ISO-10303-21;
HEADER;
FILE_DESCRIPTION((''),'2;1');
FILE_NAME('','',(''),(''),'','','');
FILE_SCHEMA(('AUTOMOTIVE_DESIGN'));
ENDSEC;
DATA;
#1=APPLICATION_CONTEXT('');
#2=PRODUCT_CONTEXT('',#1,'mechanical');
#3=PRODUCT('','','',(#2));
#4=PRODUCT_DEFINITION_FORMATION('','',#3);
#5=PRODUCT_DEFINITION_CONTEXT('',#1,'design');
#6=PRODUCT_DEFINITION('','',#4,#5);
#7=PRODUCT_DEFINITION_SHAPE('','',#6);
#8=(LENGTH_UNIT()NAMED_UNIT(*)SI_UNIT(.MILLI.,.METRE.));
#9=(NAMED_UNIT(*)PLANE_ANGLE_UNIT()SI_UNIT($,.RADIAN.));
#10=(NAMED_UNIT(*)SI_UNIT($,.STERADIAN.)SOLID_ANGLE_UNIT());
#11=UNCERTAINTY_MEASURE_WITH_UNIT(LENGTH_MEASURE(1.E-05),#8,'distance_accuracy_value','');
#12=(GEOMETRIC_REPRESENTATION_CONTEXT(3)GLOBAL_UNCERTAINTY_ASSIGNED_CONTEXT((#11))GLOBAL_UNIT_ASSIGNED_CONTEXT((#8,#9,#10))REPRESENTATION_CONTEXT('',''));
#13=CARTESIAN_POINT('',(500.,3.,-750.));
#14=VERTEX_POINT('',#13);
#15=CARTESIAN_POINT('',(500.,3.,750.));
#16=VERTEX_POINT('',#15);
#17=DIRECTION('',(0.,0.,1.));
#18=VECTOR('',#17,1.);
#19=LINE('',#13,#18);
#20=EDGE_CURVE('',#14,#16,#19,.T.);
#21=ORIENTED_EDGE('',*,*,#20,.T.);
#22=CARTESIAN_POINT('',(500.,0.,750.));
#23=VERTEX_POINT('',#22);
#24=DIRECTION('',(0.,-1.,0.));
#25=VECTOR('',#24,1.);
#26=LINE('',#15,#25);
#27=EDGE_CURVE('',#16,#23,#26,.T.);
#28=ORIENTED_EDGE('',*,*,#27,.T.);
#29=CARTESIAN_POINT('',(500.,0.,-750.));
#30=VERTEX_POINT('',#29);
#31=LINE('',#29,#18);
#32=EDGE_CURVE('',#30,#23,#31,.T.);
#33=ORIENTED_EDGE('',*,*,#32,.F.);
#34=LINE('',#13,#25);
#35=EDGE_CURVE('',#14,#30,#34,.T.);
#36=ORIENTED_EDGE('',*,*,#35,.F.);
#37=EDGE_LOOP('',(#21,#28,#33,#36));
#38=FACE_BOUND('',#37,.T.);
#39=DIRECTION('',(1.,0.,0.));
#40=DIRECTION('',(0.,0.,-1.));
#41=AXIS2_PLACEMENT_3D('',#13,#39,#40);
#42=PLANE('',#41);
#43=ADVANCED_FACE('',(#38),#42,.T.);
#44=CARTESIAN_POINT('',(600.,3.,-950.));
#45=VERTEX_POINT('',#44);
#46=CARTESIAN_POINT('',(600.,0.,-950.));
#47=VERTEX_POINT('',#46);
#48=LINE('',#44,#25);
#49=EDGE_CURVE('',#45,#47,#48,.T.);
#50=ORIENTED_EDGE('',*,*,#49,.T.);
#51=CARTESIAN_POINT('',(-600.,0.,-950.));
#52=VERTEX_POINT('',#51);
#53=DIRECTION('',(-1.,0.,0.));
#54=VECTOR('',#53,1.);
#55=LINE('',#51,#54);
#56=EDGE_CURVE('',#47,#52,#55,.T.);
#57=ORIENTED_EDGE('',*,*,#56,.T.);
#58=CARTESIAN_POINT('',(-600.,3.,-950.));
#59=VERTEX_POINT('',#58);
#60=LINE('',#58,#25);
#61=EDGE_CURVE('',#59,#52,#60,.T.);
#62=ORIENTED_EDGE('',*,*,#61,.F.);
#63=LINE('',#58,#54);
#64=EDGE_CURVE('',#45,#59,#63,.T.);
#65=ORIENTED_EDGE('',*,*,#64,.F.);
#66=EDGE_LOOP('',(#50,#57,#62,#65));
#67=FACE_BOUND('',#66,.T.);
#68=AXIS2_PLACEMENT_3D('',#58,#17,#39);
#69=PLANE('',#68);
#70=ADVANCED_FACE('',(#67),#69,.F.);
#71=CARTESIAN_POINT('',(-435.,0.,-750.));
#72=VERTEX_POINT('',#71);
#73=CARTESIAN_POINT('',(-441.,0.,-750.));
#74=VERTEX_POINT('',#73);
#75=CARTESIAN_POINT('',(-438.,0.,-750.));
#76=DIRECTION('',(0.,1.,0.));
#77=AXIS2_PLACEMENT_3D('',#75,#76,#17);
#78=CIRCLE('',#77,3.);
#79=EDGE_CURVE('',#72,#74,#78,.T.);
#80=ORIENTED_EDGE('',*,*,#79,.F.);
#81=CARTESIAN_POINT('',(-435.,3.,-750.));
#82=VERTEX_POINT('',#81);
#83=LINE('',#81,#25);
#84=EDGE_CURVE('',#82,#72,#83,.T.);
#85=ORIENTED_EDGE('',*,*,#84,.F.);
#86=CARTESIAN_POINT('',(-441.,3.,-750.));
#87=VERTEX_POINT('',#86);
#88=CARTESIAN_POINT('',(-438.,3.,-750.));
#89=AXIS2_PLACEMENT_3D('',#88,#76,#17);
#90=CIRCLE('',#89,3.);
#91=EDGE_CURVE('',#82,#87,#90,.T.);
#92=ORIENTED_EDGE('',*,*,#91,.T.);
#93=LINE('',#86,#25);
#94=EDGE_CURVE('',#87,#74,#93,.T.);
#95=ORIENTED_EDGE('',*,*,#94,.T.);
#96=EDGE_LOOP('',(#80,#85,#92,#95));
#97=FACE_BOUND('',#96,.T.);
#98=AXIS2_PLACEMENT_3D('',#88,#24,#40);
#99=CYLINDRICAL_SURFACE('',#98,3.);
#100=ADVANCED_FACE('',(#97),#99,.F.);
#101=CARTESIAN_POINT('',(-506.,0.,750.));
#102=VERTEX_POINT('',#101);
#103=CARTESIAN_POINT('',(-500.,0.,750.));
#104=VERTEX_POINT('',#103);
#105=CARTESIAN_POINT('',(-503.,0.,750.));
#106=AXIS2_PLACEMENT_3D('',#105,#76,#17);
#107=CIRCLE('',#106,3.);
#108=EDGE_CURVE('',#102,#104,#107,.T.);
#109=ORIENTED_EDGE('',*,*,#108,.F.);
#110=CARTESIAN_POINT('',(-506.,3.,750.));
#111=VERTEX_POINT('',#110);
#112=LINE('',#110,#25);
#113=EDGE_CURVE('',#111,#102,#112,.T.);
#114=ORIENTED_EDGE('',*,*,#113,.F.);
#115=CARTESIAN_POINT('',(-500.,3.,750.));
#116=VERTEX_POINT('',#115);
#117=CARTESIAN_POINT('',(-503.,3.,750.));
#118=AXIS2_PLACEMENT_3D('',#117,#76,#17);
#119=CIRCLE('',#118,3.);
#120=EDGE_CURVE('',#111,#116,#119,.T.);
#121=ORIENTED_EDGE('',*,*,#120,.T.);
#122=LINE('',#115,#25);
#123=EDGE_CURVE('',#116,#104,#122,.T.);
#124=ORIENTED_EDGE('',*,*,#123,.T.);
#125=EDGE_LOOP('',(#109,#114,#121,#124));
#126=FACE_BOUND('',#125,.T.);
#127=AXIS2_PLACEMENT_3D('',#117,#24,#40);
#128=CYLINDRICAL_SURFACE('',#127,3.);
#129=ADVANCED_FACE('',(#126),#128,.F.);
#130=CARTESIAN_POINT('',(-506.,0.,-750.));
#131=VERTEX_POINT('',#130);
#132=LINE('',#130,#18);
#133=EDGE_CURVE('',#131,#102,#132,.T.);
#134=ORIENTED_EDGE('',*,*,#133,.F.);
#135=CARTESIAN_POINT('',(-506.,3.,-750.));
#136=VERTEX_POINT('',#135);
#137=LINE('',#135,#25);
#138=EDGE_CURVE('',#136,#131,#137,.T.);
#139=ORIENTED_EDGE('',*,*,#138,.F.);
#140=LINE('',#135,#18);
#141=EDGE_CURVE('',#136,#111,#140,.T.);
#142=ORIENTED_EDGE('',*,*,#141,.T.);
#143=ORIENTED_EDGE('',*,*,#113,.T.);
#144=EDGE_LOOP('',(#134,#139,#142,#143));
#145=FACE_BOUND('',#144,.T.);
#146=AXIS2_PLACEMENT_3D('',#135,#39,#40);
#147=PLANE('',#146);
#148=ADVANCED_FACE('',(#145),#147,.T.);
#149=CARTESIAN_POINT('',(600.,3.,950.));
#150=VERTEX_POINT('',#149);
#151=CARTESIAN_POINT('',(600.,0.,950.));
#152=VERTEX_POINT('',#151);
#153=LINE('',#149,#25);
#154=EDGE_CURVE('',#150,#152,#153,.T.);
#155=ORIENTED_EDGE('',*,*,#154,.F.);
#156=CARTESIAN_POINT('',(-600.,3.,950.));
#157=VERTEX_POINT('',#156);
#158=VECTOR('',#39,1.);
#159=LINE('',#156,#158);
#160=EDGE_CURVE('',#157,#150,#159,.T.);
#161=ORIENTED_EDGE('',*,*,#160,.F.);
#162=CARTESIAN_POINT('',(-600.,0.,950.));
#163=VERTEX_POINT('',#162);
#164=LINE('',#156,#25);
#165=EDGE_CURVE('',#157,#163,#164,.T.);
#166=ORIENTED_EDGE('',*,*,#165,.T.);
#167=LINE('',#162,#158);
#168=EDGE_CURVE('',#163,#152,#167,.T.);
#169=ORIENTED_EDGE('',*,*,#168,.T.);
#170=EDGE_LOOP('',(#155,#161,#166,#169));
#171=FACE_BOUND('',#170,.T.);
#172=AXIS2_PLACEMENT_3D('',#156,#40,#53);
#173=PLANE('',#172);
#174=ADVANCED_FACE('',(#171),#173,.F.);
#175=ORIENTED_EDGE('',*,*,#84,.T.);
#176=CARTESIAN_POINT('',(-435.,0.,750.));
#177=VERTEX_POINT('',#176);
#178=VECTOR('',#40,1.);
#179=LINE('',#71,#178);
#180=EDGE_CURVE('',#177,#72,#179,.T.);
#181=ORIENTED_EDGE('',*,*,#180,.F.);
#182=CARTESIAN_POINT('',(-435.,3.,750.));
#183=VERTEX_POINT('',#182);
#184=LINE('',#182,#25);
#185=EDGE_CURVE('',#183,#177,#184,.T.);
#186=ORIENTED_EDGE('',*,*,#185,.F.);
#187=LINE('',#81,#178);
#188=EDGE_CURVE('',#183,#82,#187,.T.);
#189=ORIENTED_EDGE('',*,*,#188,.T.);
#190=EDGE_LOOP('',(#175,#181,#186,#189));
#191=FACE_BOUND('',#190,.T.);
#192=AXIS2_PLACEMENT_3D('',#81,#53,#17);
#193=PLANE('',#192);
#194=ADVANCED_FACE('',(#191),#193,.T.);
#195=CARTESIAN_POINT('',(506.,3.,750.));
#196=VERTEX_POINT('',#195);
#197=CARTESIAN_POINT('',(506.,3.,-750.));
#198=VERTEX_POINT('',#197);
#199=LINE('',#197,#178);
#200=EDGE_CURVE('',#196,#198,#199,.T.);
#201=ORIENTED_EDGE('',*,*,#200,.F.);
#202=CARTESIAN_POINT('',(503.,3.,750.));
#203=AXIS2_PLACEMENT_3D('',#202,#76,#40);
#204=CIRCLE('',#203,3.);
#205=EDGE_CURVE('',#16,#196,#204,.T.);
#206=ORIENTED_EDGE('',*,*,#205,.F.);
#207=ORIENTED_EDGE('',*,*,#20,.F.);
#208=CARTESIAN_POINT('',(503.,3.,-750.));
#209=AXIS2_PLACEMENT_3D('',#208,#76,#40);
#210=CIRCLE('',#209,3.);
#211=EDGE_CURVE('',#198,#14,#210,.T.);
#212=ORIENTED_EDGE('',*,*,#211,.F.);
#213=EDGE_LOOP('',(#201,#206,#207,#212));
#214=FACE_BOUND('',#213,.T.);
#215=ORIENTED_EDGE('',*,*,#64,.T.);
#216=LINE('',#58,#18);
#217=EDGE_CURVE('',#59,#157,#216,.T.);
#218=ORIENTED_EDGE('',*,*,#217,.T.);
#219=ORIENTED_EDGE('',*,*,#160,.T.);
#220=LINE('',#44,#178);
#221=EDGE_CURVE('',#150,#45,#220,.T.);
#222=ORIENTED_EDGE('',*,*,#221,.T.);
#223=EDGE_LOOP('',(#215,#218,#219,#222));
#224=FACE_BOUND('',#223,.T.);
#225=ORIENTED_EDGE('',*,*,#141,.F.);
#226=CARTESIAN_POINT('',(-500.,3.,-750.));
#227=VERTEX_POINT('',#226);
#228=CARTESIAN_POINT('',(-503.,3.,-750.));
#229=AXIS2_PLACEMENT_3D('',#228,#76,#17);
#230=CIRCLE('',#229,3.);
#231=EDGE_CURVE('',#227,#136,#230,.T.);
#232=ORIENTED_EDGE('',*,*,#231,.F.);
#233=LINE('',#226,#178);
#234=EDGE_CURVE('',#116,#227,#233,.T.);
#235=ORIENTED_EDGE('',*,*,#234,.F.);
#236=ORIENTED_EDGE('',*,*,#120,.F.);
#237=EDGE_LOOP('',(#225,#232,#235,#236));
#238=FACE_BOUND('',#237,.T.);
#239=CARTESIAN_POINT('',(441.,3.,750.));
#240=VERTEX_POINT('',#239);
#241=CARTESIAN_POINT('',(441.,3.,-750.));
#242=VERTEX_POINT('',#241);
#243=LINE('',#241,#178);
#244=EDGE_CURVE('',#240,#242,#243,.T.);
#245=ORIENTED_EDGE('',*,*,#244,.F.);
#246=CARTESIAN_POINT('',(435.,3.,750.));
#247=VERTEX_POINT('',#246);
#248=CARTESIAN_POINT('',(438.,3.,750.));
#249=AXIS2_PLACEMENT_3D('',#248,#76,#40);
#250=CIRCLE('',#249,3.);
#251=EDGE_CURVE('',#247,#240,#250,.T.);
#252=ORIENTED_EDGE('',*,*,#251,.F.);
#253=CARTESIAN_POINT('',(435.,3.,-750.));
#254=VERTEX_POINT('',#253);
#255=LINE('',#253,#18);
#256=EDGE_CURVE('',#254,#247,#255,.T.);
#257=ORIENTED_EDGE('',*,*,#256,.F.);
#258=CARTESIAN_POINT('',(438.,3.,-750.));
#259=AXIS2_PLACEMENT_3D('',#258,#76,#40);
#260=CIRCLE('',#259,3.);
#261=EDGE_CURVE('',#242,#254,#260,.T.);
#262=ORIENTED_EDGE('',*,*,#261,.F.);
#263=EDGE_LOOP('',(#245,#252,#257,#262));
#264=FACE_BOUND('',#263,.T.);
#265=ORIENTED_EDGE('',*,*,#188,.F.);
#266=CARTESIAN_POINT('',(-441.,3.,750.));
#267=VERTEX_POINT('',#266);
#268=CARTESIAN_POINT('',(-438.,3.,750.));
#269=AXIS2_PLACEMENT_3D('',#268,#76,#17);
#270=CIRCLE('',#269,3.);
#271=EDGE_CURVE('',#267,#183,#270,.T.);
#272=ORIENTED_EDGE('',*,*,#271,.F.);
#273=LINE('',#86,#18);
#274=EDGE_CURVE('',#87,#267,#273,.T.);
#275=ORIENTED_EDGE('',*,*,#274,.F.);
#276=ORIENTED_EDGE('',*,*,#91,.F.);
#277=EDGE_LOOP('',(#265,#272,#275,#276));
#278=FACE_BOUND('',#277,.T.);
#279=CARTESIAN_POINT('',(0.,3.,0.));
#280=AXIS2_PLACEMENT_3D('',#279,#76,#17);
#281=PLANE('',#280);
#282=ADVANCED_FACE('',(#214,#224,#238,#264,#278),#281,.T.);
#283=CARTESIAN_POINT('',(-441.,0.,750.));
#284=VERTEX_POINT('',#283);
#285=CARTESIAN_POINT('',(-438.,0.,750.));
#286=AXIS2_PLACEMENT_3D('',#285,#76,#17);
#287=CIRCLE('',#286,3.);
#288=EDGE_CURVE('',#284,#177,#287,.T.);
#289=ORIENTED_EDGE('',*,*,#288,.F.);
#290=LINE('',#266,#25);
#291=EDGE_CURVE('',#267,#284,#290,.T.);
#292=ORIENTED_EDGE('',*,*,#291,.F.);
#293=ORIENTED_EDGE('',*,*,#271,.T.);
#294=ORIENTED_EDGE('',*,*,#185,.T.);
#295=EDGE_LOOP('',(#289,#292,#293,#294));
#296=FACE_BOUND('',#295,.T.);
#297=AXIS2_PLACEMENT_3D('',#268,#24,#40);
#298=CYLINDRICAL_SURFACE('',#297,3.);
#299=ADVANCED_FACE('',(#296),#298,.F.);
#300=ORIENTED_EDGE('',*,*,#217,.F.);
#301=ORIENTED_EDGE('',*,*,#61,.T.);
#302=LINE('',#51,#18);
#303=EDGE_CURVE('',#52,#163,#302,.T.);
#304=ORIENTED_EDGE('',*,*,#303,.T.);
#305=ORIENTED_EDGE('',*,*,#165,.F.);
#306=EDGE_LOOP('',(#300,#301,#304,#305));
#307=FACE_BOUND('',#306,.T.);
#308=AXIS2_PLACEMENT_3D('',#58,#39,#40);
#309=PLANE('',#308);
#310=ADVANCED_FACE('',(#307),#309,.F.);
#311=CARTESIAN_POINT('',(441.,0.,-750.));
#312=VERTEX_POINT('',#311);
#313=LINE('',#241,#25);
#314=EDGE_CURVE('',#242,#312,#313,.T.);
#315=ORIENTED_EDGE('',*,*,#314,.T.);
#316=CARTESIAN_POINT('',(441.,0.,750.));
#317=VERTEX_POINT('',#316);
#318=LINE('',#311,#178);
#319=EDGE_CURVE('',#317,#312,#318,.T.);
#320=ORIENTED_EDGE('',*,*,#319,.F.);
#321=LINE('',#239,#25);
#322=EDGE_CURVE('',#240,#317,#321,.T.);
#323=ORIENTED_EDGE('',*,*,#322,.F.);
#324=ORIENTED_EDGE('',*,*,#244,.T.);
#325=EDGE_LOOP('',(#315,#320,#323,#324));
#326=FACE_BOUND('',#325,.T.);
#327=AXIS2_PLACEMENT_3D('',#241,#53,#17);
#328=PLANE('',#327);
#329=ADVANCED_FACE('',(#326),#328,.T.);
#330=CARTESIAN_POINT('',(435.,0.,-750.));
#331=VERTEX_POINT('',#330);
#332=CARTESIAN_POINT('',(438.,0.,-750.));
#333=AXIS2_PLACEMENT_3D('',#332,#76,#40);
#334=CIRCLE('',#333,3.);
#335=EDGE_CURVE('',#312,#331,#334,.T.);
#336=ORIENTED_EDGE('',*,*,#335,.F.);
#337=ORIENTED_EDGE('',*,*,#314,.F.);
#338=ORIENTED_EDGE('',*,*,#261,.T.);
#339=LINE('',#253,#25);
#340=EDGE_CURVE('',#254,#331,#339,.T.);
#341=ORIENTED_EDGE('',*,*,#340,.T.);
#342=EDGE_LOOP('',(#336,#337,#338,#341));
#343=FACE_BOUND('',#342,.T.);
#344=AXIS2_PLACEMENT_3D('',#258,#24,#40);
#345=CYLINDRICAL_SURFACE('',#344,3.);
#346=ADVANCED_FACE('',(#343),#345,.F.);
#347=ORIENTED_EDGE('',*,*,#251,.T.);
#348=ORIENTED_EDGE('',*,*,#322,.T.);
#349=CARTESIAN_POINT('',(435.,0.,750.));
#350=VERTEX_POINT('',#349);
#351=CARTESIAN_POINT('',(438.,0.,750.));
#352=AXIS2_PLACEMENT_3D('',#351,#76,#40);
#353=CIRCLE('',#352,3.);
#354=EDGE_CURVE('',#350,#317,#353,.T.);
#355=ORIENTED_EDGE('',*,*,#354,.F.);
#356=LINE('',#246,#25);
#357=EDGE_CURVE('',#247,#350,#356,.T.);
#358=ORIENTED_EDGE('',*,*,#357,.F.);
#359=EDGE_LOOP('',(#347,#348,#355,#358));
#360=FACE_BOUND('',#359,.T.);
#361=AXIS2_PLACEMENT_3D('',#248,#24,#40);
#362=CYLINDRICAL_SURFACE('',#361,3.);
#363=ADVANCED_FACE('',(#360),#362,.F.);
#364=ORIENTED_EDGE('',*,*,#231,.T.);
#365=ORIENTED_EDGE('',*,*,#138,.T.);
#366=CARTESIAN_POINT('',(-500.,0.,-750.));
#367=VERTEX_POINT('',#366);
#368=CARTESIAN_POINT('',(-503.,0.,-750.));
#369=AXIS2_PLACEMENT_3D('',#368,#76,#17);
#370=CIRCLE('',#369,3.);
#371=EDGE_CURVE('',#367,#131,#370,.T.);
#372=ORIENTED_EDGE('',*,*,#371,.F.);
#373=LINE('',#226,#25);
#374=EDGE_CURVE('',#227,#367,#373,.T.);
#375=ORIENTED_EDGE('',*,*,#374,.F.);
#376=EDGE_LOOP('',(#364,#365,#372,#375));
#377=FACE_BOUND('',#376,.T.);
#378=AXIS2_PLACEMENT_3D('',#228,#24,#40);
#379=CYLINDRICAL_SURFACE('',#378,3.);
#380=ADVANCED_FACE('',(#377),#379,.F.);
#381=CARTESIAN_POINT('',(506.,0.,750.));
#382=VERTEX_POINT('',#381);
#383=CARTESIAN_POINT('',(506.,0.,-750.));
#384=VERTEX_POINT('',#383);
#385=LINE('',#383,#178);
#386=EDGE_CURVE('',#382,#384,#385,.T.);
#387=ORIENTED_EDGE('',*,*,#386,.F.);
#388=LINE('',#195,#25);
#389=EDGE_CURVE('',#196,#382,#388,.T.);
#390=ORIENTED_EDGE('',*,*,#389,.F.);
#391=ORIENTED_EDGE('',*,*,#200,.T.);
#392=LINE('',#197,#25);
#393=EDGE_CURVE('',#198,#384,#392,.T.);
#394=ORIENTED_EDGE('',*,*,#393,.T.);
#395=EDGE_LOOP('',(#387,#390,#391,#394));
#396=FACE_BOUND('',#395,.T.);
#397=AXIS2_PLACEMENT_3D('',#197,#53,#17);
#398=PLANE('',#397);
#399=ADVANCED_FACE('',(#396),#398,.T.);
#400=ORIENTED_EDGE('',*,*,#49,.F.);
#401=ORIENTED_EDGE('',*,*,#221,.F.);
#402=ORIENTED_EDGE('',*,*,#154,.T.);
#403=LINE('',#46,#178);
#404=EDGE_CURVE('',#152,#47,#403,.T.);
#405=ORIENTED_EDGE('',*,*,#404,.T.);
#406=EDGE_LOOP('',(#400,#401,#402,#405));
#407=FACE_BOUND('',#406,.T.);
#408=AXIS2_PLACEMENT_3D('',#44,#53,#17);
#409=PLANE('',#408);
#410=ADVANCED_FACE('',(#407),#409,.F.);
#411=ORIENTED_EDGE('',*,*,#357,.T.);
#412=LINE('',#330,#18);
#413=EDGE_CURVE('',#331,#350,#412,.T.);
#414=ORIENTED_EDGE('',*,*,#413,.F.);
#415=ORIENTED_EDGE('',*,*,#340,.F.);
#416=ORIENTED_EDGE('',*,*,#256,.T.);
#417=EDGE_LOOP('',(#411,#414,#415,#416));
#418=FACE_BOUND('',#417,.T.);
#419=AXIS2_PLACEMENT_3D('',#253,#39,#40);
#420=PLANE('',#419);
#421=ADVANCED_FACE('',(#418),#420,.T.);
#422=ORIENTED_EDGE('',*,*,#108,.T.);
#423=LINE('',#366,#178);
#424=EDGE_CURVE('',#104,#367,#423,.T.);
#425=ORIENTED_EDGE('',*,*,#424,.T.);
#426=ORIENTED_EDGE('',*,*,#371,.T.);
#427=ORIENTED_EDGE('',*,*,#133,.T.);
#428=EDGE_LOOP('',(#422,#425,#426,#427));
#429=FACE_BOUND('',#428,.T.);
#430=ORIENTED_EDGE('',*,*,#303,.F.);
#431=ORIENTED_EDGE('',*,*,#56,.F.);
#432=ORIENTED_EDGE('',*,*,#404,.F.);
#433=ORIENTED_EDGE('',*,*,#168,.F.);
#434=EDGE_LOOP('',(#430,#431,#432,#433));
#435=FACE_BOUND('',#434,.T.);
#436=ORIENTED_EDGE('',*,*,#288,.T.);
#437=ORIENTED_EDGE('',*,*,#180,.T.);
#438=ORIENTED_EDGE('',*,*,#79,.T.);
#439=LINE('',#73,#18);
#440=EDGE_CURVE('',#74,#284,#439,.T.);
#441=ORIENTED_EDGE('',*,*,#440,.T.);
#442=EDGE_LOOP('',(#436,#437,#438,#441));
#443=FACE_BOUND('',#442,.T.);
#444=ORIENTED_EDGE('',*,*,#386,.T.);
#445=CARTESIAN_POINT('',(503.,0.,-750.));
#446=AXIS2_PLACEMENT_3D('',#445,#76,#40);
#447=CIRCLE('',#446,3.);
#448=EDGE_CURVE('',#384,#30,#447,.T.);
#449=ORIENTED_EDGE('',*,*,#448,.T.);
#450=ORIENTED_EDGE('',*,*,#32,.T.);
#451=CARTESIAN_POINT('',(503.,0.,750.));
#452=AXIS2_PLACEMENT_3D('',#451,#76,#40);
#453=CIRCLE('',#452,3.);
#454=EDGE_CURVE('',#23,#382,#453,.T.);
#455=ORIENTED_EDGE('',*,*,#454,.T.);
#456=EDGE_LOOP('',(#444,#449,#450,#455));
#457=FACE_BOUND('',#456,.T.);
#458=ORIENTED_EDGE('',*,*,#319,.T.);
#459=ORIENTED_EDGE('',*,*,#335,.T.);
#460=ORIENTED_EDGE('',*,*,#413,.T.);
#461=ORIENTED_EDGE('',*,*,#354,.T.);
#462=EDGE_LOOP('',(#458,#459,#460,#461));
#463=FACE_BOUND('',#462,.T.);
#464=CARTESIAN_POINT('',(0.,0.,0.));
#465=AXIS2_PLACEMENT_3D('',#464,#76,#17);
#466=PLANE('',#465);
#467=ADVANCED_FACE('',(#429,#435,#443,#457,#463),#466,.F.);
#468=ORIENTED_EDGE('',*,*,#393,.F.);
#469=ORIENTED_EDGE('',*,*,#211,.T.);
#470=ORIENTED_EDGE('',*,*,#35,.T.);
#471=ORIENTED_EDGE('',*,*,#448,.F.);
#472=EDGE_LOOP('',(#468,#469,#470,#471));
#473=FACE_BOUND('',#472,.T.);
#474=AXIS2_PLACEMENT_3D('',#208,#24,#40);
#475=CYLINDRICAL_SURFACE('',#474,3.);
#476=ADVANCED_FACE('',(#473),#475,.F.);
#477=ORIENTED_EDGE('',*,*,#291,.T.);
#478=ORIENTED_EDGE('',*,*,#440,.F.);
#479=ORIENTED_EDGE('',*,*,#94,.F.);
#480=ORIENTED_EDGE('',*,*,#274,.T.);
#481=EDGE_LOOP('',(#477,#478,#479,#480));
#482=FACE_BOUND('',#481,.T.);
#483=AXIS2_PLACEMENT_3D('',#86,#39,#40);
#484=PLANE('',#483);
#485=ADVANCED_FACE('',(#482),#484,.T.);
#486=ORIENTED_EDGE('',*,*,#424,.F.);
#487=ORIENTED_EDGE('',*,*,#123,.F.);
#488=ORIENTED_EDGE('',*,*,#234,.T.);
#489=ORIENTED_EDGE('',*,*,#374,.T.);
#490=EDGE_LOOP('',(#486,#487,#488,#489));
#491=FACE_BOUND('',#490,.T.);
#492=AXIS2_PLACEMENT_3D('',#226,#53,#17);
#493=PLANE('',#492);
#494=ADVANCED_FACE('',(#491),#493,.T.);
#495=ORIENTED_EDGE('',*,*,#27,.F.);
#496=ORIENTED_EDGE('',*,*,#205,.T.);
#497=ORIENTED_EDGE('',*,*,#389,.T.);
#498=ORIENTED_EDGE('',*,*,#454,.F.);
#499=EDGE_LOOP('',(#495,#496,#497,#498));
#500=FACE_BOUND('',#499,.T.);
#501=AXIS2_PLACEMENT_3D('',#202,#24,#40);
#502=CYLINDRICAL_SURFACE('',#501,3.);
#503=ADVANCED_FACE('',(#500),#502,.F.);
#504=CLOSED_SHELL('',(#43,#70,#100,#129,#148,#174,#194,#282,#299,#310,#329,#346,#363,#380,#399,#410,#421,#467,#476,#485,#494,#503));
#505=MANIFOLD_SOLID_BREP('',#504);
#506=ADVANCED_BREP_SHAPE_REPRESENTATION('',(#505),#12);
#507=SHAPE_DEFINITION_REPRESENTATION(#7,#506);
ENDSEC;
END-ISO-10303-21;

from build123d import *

# Parameters (mm, degrees)
SKETCH1_W           = 1200
SKETCH1_H           = 1900
BOSS_EXTRUDE1_DEPTH = 3


with BuildPart() as part:
    # Sketch1 → Boss-Extrude1 (new body)
    with BuildSketch(Plane(origin=(0, 0, 0), x_dir=(1, 0, 0), z_dir=(0, 1, 0))):
        Rectangle(SKETCH1_W, SKETCH1_H)
        with BuildLine():
            Line((-500, 750), (-500, -750))
            ThreePointArc((-500, -750), (-503, -753), (-506, -750))
            Line((-506, -750), (-506, 750))
            ThreePointArc((-506, 750), (-503, 753), (-500, 750))
        make_face(mode=Mode.SUBTRACT)
        with BuildLine():
            Line((-435, 750), (-435, -750))
            ThreePointArc((-435, -750), (-438, -753), (-441, -750))
            Line((-441, -750), (-441, 750))
            ThreePointArc((-441, 750), (-438, 753), (-435, 750))
        make_face(mode=Mode.SUBTRACT)
        with BuildLine():
            Line((435, 750), (435, -750))
            ThreePointArc((435, -750), (438, -753), (441, -750))
            Line((441, -750), (441, 750))
            ThreePointArc((441, 750), (438, 753), (435, 750))
        make_face(mode=Mode.SUBTRACT)
        with BuildLine():
            Line((500, 750), (500, -750))
            ThreePointArc((500, -750), (503, -753), (506, -750))
            Line((506, -750), (506, 750))
            ThreePointArc((506, 750), (503, 753), (500, 750))
        make_face(mode=Mode.SUBTRACT)
    extrude(amount=BOSS_EXTRUDE1_DEPTH)


solid = part.part
